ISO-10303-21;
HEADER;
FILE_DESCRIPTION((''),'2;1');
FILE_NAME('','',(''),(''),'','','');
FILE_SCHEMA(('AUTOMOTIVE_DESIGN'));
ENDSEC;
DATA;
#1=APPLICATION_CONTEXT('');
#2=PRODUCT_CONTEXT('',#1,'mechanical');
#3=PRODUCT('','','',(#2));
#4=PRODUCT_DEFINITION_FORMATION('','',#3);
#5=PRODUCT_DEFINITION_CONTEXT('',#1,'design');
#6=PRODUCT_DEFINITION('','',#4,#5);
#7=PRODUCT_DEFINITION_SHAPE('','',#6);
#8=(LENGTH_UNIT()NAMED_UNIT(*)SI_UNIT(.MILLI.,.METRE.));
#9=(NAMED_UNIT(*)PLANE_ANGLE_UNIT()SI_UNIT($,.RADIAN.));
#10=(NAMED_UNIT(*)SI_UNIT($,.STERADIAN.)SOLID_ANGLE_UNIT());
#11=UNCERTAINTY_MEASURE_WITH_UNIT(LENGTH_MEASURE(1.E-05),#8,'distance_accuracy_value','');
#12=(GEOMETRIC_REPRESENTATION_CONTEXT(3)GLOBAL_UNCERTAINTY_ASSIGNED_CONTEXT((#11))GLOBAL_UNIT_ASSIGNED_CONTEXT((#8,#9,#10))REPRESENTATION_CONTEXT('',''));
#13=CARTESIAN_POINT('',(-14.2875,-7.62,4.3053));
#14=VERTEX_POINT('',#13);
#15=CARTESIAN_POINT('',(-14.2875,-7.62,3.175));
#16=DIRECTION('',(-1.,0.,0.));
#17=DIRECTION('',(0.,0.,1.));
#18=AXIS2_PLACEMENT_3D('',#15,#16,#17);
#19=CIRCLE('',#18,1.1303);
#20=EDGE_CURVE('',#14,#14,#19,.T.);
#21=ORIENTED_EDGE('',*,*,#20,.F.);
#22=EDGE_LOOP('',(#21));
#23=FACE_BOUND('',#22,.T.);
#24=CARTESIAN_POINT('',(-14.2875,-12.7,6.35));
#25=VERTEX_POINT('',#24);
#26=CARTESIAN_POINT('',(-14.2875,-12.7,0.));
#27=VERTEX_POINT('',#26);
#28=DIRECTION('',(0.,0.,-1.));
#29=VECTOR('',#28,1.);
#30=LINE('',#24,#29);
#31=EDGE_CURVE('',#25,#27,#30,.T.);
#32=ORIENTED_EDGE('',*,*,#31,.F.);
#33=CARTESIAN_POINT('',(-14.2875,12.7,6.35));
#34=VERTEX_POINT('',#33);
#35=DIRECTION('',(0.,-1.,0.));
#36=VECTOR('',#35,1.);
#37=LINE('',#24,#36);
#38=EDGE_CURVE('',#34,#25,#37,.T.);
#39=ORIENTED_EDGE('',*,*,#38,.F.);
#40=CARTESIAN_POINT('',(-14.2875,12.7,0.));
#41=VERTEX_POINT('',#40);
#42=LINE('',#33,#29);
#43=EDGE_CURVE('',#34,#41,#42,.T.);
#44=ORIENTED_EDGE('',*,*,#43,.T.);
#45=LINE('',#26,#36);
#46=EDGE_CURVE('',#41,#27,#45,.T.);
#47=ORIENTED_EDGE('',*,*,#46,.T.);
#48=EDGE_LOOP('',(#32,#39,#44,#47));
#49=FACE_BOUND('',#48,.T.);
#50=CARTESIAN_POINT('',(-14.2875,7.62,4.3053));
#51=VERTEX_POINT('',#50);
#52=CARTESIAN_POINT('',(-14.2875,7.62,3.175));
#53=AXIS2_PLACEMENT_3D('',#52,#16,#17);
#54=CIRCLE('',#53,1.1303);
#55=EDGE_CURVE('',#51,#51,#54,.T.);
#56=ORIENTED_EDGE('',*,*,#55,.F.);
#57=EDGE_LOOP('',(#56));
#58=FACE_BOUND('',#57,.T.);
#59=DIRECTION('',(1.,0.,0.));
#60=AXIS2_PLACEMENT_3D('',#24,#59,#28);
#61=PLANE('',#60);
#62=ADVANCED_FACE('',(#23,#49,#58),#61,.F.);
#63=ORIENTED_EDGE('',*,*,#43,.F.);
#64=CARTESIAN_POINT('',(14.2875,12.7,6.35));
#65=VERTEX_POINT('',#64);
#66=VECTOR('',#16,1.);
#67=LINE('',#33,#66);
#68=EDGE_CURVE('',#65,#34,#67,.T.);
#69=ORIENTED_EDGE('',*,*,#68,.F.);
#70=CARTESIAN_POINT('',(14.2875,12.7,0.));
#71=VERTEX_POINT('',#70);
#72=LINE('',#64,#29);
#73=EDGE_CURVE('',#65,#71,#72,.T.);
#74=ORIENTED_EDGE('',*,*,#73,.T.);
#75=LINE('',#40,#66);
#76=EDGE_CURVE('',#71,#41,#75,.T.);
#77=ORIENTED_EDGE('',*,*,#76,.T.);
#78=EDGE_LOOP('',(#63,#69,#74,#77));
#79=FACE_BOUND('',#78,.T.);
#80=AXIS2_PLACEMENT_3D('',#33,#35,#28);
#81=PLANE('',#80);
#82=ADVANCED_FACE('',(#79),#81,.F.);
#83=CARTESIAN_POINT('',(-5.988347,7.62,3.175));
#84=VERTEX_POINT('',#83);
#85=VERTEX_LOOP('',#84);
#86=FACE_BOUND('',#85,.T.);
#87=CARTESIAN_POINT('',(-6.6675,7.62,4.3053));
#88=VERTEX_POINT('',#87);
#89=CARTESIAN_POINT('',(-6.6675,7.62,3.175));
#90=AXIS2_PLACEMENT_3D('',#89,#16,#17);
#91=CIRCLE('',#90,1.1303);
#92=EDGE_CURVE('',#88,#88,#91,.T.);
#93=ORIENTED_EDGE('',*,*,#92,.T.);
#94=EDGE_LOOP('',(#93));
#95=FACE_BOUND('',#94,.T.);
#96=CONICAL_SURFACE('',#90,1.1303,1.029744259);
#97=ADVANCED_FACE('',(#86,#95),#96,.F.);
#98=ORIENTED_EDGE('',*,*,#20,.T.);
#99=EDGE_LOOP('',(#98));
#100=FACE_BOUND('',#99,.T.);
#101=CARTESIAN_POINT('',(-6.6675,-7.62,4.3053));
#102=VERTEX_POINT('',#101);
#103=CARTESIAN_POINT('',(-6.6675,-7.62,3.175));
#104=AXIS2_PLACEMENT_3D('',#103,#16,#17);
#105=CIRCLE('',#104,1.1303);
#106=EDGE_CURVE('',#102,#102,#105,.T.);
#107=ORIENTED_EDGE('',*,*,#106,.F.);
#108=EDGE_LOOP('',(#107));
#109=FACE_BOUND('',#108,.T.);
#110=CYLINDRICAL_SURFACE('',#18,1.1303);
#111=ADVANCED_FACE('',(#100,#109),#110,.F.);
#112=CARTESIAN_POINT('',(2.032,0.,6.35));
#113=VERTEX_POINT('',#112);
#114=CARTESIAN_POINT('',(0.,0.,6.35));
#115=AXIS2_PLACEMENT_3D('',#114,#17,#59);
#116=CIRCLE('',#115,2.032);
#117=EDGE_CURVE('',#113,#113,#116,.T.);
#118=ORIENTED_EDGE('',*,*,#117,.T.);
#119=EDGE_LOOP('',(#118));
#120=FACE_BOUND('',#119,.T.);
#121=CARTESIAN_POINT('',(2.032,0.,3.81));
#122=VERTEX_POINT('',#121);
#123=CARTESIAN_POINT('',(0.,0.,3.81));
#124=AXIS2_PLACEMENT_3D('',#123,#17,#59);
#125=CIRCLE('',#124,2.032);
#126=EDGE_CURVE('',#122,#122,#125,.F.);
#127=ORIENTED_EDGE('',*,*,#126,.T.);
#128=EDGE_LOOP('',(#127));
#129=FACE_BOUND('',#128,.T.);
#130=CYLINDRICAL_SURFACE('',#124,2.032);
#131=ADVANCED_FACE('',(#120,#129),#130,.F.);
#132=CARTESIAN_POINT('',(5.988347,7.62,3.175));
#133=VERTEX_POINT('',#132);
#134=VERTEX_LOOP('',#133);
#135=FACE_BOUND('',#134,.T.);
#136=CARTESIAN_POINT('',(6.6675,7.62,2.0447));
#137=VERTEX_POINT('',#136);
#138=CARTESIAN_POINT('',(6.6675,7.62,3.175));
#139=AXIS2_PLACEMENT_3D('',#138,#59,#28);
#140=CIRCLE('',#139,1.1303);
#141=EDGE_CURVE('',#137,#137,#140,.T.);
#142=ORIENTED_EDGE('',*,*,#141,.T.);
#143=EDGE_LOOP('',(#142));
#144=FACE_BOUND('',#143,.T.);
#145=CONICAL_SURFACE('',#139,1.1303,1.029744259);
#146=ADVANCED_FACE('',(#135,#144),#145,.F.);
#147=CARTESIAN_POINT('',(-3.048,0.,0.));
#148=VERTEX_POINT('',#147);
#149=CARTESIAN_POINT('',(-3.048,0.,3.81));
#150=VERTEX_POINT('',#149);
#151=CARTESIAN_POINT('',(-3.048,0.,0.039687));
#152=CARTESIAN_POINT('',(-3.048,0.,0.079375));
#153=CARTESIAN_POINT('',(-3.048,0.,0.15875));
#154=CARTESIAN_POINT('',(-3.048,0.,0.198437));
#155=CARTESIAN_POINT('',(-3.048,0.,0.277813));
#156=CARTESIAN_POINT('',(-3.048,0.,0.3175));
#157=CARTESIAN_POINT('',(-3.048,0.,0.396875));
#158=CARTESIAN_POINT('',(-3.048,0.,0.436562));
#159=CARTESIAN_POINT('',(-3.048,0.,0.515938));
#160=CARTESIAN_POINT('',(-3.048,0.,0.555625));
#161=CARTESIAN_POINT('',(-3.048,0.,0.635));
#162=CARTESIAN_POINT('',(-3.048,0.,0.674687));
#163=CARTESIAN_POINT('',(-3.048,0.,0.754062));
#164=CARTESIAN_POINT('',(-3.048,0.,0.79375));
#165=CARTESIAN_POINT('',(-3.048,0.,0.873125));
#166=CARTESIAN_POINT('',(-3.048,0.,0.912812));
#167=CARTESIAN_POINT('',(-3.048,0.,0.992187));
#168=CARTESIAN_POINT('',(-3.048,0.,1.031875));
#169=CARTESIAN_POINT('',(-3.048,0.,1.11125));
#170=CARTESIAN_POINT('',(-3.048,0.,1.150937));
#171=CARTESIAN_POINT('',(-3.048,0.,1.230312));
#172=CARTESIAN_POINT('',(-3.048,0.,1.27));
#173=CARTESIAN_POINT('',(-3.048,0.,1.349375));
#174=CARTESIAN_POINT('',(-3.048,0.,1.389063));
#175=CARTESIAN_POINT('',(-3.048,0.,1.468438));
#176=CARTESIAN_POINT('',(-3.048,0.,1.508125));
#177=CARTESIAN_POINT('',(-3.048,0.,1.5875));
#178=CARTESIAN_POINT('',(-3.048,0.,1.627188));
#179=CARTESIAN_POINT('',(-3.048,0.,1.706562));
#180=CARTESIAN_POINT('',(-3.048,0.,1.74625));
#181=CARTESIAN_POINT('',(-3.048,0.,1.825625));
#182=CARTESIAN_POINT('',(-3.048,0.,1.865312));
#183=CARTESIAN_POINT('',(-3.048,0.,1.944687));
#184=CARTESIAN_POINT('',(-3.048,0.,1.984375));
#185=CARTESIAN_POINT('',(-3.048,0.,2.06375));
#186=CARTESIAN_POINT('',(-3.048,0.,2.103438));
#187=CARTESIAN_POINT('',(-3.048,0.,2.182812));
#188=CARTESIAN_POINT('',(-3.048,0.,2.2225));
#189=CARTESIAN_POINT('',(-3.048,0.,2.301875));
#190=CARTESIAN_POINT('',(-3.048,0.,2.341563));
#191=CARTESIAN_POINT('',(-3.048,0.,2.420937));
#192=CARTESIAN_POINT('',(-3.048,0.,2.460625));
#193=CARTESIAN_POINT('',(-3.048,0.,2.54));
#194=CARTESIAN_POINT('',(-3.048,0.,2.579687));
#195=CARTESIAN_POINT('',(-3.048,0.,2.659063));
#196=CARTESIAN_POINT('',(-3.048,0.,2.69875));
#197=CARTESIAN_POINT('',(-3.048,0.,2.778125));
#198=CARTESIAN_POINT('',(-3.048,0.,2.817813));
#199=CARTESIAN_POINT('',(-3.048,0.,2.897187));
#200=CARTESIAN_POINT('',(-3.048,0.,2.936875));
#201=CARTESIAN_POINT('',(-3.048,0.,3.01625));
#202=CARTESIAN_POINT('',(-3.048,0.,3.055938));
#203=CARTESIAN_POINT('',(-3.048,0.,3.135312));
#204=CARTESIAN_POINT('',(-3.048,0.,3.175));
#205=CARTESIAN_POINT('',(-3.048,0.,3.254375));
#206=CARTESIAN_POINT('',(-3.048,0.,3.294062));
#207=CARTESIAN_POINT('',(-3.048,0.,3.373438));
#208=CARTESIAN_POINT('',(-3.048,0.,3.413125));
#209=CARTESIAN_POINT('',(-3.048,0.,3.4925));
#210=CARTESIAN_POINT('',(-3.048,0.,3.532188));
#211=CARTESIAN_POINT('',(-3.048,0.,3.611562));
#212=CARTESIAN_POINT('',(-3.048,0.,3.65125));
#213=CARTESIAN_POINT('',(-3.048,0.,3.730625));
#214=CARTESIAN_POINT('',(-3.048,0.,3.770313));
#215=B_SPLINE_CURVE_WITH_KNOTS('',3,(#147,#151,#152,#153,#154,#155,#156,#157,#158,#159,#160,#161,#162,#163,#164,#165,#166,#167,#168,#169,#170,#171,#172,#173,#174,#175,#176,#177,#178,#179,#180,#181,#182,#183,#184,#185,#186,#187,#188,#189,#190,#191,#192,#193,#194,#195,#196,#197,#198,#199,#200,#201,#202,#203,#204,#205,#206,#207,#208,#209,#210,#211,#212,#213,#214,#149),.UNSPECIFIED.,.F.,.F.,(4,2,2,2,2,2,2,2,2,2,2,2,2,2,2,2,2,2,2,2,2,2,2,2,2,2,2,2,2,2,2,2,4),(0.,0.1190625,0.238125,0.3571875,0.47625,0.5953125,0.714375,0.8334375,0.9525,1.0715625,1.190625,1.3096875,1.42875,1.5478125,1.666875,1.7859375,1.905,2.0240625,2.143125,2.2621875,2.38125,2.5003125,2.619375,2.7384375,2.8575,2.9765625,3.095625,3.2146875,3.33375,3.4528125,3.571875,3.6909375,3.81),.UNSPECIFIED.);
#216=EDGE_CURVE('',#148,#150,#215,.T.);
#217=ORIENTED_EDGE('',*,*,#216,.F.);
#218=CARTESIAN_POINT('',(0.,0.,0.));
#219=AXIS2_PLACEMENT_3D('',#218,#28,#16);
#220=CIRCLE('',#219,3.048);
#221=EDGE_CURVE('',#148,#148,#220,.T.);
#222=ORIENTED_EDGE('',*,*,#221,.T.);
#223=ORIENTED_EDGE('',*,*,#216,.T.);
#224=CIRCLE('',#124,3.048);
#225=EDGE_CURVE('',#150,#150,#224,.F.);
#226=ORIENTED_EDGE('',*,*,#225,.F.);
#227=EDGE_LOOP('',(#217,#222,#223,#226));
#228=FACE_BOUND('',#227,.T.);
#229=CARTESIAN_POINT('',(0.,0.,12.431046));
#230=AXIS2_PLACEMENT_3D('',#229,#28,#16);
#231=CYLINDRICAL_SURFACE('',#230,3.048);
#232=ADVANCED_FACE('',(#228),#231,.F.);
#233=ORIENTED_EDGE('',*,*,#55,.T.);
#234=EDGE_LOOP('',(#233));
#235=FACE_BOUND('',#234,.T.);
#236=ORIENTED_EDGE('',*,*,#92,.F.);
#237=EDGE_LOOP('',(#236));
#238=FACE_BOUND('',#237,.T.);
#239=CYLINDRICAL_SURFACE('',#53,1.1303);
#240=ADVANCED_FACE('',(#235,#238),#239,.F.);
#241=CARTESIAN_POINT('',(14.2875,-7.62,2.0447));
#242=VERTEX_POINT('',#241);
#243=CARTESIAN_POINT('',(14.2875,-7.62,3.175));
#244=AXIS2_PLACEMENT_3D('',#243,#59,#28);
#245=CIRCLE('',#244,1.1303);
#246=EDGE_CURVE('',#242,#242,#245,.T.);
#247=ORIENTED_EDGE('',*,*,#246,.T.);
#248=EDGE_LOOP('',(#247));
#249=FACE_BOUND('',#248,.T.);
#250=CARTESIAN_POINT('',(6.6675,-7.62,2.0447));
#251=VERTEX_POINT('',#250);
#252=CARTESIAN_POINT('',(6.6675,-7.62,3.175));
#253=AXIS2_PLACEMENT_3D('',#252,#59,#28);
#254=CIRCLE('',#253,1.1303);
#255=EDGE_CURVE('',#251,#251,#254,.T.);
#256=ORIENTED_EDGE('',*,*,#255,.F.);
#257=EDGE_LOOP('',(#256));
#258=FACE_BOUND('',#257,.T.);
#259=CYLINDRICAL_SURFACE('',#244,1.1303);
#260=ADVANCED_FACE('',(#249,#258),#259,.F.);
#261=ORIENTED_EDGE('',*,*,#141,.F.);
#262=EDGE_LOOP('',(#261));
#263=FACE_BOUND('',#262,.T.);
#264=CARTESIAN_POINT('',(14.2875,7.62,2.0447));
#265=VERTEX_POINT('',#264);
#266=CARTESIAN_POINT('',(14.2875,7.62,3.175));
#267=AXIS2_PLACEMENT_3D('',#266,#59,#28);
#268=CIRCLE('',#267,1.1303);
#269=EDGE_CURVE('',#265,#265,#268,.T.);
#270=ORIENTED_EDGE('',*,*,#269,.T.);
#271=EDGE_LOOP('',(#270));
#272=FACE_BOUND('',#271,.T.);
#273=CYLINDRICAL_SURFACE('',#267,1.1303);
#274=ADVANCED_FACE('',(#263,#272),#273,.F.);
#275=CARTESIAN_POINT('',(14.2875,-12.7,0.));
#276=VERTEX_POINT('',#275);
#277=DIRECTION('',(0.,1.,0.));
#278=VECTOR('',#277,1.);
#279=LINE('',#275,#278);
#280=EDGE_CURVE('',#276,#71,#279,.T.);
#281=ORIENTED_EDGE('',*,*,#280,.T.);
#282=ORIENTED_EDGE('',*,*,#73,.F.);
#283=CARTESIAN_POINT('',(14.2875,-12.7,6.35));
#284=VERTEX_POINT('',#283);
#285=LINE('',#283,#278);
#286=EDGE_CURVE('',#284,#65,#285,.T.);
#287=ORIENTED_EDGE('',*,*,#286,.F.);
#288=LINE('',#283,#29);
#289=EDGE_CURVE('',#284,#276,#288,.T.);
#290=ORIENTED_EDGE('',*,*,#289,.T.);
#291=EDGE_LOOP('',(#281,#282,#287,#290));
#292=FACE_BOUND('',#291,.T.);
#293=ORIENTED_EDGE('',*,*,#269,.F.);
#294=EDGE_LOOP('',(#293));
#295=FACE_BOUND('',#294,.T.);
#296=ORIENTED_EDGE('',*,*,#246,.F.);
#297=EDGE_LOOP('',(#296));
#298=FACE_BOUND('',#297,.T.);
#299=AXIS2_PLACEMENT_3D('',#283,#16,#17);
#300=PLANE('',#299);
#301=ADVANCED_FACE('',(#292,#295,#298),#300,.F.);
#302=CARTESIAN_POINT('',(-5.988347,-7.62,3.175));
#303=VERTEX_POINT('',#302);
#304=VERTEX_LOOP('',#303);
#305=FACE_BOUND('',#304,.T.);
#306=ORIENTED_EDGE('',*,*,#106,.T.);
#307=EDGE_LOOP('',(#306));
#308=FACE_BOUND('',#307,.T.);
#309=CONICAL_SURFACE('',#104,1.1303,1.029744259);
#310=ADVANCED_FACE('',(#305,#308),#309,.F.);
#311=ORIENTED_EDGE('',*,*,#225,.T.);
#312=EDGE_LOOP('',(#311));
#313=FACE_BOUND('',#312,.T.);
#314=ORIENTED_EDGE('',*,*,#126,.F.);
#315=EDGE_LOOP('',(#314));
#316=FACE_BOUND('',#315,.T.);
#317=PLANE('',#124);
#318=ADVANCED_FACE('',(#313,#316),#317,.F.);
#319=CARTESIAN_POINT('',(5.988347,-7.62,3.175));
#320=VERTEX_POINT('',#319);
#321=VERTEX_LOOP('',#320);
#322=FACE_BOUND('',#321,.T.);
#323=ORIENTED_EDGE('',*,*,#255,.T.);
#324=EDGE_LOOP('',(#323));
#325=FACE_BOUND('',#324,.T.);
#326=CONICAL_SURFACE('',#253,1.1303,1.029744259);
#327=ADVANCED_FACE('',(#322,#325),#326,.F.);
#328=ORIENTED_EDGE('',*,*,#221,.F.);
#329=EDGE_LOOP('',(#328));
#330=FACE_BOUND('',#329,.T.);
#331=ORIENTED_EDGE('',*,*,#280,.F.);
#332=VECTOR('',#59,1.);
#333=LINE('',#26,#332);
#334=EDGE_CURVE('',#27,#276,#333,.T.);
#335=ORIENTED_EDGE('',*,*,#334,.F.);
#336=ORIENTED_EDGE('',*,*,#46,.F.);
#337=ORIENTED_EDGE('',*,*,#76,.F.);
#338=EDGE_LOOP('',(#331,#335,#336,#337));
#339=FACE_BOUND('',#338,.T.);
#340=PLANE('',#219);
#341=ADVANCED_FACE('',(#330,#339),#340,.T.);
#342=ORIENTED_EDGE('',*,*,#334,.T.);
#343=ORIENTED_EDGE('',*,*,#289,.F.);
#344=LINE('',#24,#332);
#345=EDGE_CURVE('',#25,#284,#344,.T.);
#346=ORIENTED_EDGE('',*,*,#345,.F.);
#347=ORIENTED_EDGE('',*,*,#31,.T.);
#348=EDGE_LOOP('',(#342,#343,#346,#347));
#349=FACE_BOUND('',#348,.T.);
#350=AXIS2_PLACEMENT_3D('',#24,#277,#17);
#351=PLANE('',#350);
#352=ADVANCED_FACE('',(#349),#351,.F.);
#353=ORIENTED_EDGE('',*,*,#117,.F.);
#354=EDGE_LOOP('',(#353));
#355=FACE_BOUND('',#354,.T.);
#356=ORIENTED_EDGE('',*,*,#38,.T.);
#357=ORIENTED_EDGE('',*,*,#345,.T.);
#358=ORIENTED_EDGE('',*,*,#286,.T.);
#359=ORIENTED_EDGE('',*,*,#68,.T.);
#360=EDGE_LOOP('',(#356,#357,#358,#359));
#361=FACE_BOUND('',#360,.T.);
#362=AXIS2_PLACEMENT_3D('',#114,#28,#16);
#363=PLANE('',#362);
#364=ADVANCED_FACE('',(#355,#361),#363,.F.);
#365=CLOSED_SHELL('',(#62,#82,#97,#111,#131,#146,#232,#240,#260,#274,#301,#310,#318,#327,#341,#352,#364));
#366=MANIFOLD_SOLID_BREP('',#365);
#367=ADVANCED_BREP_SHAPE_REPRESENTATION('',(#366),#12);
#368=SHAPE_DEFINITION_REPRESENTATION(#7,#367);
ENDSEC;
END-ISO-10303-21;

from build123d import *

# Parameters (mm, degrees)
SKETCH2_W                 = 28.575
SKETCH2_H                 = 25.4
BOSS_EXTRUDE1_DEPTH       = 6.35
F_4_40_TAPPED_HOLE2_D     = 2.2606
F_4_40_TAPPED_HOLE2_DEPTH = 7.62
F_4_40_TAPPED_HOLE2_TIP   = 0.679152758
F_4_40_TAPPED_HOLE1_D     = 2.2606
F_4_40_TAPPED_HOLE1_DEPTH = 7.62
F_4_40_TAPPED_HOLE1_TIP   = 0.679152758
SKETCH7_R                 = 2.032
CUT_EXTRUDE1_DEPTH        = 2.54
SKETCH12_R                = 3.048
CUT_EXTRUDE2_DEPTH        = 3.81


with BuildPart() as part:
    # Sketch2 → Boss-Extrude1 (new body)
    with BuildSketch(Plane.XY):
        Rectangle(SKETCH2_W, SKETCH2_H)
    extrude(amount=BOSS_EXTRUDE1_DEPTH)

    # #4-40 Tapped Hole2
    with Locations(Plane(origin=(14.2875, 0, 0), x_dir=(0, 0, -1), z_dir=(1, 0, 0))):
        with Locations((-3.175, 7.62), (-3.175, -7.62)):
            Hole(F_4_40_TAPPED_HOLE2_D / 2, depth=F_4_40_TAPPED_HOLE2_DEPTH)
            with Locations((0, 0, -(F_4_40_TAPPED_HOLE2_DEPTH + F_4_40_TAPPED_HOLE2_TIP / 2))):  # 118° drill point
                Cone(0, F_4_40_TAPPED_HOLE2_D / 2, F_4_40_TAPPED_HOLE2_TIP, mode=Mode.SUBTRACT)

    # #4-40 Tapped Hole1
    with Locations(Plane.ZY.offset(14.2875)):
        with Locations((3.175, 7.62), (3.175, -7.62)):
            Hole(F_4_40_TAPPED_HOLE1_D / 2, depth=F_4_40_TAPPED_HOLE1_DEPTH)
            with Locations((0, 0, -(F_4_40_TAPPED_HOLE1_DEPTH + F_4_40_TAPPED_HOLE1_TIP / 2))):  # 118° drill point
                Cone(0, F_4_40_TAPPED_HOLE1_D / 2, F_4_40_TAPPED_HOLE1_TIP, mode=Mode.SUBTRACT)

    # Sketch7 → Cut-Extrude1 (cut)
    with BuildSketch(Plane.XY.offset(6.35)):
        Circle(SKETCH7_R)
    extrude(amount=-CUT_EXTRUDE1_DEPTH, mode=Mode.SUBTRACT)

    # Sketch12 → Cut-Extrude2 (cut)
    with BuildSketch(Plane(origin=(0, 0, 0), x_dir=(-1, 0, 0), z_dir=(0, 0, -1))):
        Circle(SKETCH12_R)
    extrude(amount=-CUT_EXTRUDE2_DEPTH, mode=Mode.SUBTRACT)


solid = part.part
